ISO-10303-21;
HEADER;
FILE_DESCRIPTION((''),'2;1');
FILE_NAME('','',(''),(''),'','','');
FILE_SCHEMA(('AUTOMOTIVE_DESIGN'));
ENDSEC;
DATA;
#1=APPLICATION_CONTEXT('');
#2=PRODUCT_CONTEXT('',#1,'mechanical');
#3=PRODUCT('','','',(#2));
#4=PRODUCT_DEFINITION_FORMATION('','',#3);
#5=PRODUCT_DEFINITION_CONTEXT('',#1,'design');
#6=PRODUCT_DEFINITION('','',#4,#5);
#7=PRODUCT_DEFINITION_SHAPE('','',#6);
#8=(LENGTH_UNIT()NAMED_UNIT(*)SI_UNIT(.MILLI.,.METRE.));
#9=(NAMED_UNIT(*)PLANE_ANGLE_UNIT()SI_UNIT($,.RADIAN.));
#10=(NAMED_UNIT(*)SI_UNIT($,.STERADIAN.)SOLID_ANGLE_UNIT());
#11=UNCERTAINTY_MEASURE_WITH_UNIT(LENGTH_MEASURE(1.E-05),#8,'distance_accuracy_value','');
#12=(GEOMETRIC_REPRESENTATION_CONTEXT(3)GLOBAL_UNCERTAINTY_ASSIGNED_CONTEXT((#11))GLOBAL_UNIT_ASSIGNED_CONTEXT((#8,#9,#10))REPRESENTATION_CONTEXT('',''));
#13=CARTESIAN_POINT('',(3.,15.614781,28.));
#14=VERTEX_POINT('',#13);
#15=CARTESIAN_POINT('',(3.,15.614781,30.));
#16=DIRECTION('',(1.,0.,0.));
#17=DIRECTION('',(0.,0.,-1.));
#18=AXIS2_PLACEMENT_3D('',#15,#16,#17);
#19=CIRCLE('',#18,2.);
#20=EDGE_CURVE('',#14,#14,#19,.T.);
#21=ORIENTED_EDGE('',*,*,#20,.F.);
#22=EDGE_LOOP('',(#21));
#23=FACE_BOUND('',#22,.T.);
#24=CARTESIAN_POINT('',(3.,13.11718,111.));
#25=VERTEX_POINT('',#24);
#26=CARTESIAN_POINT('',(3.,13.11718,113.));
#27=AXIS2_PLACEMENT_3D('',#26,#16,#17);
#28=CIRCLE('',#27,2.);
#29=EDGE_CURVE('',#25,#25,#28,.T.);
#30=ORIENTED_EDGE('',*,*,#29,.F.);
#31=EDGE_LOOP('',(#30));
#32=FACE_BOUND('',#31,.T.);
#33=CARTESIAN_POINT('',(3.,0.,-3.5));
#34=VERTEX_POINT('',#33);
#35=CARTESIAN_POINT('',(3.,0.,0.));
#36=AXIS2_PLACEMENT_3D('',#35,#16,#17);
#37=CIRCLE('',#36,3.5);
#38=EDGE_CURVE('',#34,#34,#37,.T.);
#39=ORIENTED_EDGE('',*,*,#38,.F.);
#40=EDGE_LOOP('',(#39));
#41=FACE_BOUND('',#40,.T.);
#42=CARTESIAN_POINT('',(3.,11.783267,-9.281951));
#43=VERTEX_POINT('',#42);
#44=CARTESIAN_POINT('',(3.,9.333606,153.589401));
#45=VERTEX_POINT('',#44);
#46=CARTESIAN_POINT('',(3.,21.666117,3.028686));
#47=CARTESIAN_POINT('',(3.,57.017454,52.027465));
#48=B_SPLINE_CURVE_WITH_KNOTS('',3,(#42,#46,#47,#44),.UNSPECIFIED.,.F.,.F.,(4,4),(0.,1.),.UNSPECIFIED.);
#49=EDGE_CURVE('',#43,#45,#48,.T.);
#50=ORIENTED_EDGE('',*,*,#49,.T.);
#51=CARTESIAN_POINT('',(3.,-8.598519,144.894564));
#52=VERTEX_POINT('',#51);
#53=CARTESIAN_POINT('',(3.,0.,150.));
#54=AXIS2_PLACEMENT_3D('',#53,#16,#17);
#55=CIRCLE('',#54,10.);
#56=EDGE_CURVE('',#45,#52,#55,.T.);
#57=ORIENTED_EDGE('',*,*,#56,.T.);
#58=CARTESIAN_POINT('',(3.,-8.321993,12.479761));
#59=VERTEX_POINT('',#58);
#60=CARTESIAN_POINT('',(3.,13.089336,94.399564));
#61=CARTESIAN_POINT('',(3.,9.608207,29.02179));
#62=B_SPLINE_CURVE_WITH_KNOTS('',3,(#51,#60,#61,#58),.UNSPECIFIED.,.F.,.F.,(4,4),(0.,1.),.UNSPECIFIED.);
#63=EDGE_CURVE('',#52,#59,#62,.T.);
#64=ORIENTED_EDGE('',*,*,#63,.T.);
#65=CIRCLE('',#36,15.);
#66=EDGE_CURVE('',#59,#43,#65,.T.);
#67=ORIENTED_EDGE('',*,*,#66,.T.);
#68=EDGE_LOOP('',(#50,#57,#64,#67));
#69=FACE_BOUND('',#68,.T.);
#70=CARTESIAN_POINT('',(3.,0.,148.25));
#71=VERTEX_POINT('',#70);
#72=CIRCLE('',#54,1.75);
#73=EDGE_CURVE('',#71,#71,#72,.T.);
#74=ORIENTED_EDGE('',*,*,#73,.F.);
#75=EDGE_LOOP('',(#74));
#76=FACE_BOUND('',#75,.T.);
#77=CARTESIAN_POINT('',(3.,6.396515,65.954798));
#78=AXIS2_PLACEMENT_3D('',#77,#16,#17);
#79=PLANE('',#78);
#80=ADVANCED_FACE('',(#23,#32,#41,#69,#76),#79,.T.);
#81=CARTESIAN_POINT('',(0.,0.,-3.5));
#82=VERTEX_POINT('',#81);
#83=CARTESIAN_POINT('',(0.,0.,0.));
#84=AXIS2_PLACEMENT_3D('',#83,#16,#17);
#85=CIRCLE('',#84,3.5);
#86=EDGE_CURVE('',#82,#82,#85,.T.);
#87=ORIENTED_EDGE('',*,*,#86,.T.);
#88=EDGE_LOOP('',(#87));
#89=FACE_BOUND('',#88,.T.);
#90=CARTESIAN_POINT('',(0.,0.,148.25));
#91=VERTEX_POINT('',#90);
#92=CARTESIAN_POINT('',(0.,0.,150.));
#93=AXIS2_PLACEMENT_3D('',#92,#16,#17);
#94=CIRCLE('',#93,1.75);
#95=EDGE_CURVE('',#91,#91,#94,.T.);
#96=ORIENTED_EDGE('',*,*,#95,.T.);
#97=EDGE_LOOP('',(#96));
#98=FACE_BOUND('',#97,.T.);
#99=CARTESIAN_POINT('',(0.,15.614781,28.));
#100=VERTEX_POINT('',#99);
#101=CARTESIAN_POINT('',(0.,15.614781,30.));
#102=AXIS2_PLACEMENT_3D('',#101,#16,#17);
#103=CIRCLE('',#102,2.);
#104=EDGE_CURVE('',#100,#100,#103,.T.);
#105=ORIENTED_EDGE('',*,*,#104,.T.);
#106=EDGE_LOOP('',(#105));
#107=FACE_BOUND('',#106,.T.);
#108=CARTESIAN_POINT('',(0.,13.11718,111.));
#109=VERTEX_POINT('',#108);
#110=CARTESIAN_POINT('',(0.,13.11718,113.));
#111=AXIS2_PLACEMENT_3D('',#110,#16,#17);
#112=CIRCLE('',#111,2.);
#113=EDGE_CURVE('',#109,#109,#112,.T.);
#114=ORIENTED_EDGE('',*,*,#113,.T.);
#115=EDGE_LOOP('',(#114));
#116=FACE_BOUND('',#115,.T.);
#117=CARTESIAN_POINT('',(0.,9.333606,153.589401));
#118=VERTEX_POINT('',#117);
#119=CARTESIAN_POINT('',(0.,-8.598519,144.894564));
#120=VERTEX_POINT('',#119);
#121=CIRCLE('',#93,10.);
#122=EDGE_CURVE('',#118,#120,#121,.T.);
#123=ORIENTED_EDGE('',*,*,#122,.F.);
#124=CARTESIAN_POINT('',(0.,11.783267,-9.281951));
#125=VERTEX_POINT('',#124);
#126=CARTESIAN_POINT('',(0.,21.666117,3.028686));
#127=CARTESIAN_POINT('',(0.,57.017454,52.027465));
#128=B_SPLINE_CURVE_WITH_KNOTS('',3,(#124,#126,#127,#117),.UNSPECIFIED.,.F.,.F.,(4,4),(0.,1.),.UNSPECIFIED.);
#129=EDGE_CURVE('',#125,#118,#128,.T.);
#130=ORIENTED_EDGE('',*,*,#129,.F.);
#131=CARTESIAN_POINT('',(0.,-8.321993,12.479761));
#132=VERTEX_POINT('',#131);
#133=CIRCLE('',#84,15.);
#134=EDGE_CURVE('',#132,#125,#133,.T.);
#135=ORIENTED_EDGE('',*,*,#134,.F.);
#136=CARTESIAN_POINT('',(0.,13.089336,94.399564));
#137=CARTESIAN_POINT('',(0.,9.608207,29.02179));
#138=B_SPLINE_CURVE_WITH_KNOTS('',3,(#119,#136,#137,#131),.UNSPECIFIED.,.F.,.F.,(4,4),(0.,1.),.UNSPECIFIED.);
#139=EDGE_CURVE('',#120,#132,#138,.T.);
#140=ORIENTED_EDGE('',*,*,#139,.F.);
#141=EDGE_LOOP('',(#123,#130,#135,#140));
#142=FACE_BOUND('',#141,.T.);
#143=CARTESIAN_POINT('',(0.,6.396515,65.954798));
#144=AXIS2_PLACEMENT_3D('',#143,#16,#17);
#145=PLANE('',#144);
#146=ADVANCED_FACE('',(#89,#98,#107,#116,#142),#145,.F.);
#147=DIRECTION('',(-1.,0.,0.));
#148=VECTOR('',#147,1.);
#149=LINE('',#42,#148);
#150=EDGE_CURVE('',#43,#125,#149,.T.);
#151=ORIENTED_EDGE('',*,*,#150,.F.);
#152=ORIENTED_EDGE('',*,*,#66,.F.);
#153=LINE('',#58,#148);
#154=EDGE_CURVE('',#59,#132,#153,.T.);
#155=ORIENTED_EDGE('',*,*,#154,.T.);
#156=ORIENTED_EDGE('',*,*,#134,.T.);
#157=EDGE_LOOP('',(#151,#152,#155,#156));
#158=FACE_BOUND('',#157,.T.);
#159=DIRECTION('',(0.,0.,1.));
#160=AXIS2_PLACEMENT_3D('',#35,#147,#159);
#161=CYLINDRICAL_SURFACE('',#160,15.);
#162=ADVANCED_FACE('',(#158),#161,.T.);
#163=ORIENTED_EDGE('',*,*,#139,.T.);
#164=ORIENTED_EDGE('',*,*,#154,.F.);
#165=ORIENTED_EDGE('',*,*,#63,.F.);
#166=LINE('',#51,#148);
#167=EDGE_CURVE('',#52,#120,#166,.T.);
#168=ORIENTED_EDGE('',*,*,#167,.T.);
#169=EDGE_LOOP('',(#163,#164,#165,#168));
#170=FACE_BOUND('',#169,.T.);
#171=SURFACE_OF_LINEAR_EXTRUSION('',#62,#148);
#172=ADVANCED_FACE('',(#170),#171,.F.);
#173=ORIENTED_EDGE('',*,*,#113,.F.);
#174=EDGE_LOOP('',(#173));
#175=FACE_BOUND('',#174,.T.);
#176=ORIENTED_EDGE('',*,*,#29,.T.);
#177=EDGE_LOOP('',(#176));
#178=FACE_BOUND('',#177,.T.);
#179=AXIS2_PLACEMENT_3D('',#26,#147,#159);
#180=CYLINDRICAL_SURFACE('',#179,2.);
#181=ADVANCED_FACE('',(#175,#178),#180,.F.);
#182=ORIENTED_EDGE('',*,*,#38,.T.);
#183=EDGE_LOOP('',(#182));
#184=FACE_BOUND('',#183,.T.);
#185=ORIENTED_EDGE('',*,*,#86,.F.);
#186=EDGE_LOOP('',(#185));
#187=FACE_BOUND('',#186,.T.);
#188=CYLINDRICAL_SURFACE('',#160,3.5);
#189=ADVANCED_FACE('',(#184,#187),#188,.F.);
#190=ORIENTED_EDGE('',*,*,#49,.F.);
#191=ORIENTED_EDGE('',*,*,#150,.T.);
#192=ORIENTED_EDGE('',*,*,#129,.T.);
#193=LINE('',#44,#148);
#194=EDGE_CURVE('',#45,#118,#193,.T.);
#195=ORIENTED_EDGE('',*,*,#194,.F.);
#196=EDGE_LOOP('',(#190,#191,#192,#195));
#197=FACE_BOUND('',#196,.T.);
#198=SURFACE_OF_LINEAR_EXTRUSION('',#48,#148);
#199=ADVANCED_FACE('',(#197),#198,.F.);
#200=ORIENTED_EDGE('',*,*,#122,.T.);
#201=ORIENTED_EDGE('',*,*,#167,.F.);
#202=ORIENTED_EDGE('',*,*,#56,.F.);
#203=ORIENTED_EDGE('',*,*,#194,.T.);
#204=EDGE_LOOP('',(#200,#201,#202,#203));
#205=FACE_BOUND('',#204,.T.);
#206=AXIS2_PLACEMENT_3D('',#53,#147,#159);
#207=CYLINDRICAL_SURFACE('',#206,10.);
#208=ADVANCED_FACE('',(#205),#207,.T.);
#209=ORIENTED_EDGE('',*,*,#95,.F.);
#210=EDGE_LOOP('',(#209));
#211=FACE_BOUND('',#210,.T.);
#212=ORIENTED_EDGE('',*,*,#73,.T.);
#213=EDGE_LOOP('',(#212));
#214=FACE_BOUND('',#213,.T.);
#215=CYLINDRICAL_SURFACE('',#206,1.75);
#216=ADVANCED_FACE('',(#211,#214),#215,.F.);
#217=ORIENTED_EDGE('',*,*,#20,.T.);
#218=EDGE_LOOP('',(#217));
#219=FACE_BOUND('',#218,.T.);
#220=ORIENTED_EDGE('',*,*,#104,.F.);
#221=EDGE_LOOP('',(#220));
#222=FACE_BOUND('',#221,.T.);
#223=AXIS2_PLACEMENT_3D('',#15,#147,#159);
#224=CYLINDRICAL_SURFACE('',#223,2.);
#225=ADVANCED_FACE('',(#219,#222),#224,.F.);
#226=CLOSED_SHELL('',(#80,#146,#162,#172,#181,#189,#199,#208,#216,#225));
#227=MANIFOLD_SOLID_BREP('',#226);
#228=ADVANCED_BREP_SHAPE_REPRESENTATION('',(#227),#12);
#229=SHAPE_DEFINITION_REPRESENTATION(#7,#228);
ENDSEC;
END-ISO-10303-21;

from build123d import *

# Parameters (mm, degrees)
CROQUIS1_R              = 1.75
CROQUIS1_R_2            = 3.5
CROQUIS1_R_3            = 2
SALIENTE_EXTRUIR1_DEPTH = 3


with BuildPart() as part:
    # Croquis1 → Saliente-Extruir1 (new body)
    with BuildSketch(Plane(origin=(0, 0, 0), x_dir=(0, 0, -1), z_dir=(1, 0, 0))):
        with BuildLine():
            ThreePointArc((-12.479760771, -8.321993217), (10.178991806, -11.017627957), (9.281950646, 11.783267467))
            add(Edge.make_bspline(
                [(-153.589400871, 9.333606023), (-52.027464553, 57.017454048), (-3.028685523, 21.666117386), (9.281950646, 11.783267467)],
                knots=[0, 0, 0, 0, 1, 1, 1, 1], degree=3))
            ThreePointArc((-153.589400871, 9.333606023), (-158.998047864, -4.362927301), (-144.894564169, -8.598518767))
            add(Edge.make_bspline(
                [(-144.894564169, -8.598518767), (-94.399563679, 13.089335746), (-29.021790265, 9.608207487), (-12.479760771, -8.321993217)],
                knots=[0, 0, 0, 0, 1, 1, 1, 1], degree=3))
        make_face()
        with Locations((-150, 0)):
            Circle(CROQUIS1_R, mode=Mode.SUBTRACT)
        Circle(CROQUIS1_R_2, mode=Mode.SUBTRACT)
        with Locations((-113, 13.11718)):
            Circle(CROQUIS1_R_3, mode=Mode.SUBTRACT)
        with Locations((-30, 15.614781046)):
            Circle(CROQUIS1_R_3, mode=Mode.SUBTRACT)
    extrude(amount=SALIENTE_EXTRUIR1_DEPTH)


solid = part.part
